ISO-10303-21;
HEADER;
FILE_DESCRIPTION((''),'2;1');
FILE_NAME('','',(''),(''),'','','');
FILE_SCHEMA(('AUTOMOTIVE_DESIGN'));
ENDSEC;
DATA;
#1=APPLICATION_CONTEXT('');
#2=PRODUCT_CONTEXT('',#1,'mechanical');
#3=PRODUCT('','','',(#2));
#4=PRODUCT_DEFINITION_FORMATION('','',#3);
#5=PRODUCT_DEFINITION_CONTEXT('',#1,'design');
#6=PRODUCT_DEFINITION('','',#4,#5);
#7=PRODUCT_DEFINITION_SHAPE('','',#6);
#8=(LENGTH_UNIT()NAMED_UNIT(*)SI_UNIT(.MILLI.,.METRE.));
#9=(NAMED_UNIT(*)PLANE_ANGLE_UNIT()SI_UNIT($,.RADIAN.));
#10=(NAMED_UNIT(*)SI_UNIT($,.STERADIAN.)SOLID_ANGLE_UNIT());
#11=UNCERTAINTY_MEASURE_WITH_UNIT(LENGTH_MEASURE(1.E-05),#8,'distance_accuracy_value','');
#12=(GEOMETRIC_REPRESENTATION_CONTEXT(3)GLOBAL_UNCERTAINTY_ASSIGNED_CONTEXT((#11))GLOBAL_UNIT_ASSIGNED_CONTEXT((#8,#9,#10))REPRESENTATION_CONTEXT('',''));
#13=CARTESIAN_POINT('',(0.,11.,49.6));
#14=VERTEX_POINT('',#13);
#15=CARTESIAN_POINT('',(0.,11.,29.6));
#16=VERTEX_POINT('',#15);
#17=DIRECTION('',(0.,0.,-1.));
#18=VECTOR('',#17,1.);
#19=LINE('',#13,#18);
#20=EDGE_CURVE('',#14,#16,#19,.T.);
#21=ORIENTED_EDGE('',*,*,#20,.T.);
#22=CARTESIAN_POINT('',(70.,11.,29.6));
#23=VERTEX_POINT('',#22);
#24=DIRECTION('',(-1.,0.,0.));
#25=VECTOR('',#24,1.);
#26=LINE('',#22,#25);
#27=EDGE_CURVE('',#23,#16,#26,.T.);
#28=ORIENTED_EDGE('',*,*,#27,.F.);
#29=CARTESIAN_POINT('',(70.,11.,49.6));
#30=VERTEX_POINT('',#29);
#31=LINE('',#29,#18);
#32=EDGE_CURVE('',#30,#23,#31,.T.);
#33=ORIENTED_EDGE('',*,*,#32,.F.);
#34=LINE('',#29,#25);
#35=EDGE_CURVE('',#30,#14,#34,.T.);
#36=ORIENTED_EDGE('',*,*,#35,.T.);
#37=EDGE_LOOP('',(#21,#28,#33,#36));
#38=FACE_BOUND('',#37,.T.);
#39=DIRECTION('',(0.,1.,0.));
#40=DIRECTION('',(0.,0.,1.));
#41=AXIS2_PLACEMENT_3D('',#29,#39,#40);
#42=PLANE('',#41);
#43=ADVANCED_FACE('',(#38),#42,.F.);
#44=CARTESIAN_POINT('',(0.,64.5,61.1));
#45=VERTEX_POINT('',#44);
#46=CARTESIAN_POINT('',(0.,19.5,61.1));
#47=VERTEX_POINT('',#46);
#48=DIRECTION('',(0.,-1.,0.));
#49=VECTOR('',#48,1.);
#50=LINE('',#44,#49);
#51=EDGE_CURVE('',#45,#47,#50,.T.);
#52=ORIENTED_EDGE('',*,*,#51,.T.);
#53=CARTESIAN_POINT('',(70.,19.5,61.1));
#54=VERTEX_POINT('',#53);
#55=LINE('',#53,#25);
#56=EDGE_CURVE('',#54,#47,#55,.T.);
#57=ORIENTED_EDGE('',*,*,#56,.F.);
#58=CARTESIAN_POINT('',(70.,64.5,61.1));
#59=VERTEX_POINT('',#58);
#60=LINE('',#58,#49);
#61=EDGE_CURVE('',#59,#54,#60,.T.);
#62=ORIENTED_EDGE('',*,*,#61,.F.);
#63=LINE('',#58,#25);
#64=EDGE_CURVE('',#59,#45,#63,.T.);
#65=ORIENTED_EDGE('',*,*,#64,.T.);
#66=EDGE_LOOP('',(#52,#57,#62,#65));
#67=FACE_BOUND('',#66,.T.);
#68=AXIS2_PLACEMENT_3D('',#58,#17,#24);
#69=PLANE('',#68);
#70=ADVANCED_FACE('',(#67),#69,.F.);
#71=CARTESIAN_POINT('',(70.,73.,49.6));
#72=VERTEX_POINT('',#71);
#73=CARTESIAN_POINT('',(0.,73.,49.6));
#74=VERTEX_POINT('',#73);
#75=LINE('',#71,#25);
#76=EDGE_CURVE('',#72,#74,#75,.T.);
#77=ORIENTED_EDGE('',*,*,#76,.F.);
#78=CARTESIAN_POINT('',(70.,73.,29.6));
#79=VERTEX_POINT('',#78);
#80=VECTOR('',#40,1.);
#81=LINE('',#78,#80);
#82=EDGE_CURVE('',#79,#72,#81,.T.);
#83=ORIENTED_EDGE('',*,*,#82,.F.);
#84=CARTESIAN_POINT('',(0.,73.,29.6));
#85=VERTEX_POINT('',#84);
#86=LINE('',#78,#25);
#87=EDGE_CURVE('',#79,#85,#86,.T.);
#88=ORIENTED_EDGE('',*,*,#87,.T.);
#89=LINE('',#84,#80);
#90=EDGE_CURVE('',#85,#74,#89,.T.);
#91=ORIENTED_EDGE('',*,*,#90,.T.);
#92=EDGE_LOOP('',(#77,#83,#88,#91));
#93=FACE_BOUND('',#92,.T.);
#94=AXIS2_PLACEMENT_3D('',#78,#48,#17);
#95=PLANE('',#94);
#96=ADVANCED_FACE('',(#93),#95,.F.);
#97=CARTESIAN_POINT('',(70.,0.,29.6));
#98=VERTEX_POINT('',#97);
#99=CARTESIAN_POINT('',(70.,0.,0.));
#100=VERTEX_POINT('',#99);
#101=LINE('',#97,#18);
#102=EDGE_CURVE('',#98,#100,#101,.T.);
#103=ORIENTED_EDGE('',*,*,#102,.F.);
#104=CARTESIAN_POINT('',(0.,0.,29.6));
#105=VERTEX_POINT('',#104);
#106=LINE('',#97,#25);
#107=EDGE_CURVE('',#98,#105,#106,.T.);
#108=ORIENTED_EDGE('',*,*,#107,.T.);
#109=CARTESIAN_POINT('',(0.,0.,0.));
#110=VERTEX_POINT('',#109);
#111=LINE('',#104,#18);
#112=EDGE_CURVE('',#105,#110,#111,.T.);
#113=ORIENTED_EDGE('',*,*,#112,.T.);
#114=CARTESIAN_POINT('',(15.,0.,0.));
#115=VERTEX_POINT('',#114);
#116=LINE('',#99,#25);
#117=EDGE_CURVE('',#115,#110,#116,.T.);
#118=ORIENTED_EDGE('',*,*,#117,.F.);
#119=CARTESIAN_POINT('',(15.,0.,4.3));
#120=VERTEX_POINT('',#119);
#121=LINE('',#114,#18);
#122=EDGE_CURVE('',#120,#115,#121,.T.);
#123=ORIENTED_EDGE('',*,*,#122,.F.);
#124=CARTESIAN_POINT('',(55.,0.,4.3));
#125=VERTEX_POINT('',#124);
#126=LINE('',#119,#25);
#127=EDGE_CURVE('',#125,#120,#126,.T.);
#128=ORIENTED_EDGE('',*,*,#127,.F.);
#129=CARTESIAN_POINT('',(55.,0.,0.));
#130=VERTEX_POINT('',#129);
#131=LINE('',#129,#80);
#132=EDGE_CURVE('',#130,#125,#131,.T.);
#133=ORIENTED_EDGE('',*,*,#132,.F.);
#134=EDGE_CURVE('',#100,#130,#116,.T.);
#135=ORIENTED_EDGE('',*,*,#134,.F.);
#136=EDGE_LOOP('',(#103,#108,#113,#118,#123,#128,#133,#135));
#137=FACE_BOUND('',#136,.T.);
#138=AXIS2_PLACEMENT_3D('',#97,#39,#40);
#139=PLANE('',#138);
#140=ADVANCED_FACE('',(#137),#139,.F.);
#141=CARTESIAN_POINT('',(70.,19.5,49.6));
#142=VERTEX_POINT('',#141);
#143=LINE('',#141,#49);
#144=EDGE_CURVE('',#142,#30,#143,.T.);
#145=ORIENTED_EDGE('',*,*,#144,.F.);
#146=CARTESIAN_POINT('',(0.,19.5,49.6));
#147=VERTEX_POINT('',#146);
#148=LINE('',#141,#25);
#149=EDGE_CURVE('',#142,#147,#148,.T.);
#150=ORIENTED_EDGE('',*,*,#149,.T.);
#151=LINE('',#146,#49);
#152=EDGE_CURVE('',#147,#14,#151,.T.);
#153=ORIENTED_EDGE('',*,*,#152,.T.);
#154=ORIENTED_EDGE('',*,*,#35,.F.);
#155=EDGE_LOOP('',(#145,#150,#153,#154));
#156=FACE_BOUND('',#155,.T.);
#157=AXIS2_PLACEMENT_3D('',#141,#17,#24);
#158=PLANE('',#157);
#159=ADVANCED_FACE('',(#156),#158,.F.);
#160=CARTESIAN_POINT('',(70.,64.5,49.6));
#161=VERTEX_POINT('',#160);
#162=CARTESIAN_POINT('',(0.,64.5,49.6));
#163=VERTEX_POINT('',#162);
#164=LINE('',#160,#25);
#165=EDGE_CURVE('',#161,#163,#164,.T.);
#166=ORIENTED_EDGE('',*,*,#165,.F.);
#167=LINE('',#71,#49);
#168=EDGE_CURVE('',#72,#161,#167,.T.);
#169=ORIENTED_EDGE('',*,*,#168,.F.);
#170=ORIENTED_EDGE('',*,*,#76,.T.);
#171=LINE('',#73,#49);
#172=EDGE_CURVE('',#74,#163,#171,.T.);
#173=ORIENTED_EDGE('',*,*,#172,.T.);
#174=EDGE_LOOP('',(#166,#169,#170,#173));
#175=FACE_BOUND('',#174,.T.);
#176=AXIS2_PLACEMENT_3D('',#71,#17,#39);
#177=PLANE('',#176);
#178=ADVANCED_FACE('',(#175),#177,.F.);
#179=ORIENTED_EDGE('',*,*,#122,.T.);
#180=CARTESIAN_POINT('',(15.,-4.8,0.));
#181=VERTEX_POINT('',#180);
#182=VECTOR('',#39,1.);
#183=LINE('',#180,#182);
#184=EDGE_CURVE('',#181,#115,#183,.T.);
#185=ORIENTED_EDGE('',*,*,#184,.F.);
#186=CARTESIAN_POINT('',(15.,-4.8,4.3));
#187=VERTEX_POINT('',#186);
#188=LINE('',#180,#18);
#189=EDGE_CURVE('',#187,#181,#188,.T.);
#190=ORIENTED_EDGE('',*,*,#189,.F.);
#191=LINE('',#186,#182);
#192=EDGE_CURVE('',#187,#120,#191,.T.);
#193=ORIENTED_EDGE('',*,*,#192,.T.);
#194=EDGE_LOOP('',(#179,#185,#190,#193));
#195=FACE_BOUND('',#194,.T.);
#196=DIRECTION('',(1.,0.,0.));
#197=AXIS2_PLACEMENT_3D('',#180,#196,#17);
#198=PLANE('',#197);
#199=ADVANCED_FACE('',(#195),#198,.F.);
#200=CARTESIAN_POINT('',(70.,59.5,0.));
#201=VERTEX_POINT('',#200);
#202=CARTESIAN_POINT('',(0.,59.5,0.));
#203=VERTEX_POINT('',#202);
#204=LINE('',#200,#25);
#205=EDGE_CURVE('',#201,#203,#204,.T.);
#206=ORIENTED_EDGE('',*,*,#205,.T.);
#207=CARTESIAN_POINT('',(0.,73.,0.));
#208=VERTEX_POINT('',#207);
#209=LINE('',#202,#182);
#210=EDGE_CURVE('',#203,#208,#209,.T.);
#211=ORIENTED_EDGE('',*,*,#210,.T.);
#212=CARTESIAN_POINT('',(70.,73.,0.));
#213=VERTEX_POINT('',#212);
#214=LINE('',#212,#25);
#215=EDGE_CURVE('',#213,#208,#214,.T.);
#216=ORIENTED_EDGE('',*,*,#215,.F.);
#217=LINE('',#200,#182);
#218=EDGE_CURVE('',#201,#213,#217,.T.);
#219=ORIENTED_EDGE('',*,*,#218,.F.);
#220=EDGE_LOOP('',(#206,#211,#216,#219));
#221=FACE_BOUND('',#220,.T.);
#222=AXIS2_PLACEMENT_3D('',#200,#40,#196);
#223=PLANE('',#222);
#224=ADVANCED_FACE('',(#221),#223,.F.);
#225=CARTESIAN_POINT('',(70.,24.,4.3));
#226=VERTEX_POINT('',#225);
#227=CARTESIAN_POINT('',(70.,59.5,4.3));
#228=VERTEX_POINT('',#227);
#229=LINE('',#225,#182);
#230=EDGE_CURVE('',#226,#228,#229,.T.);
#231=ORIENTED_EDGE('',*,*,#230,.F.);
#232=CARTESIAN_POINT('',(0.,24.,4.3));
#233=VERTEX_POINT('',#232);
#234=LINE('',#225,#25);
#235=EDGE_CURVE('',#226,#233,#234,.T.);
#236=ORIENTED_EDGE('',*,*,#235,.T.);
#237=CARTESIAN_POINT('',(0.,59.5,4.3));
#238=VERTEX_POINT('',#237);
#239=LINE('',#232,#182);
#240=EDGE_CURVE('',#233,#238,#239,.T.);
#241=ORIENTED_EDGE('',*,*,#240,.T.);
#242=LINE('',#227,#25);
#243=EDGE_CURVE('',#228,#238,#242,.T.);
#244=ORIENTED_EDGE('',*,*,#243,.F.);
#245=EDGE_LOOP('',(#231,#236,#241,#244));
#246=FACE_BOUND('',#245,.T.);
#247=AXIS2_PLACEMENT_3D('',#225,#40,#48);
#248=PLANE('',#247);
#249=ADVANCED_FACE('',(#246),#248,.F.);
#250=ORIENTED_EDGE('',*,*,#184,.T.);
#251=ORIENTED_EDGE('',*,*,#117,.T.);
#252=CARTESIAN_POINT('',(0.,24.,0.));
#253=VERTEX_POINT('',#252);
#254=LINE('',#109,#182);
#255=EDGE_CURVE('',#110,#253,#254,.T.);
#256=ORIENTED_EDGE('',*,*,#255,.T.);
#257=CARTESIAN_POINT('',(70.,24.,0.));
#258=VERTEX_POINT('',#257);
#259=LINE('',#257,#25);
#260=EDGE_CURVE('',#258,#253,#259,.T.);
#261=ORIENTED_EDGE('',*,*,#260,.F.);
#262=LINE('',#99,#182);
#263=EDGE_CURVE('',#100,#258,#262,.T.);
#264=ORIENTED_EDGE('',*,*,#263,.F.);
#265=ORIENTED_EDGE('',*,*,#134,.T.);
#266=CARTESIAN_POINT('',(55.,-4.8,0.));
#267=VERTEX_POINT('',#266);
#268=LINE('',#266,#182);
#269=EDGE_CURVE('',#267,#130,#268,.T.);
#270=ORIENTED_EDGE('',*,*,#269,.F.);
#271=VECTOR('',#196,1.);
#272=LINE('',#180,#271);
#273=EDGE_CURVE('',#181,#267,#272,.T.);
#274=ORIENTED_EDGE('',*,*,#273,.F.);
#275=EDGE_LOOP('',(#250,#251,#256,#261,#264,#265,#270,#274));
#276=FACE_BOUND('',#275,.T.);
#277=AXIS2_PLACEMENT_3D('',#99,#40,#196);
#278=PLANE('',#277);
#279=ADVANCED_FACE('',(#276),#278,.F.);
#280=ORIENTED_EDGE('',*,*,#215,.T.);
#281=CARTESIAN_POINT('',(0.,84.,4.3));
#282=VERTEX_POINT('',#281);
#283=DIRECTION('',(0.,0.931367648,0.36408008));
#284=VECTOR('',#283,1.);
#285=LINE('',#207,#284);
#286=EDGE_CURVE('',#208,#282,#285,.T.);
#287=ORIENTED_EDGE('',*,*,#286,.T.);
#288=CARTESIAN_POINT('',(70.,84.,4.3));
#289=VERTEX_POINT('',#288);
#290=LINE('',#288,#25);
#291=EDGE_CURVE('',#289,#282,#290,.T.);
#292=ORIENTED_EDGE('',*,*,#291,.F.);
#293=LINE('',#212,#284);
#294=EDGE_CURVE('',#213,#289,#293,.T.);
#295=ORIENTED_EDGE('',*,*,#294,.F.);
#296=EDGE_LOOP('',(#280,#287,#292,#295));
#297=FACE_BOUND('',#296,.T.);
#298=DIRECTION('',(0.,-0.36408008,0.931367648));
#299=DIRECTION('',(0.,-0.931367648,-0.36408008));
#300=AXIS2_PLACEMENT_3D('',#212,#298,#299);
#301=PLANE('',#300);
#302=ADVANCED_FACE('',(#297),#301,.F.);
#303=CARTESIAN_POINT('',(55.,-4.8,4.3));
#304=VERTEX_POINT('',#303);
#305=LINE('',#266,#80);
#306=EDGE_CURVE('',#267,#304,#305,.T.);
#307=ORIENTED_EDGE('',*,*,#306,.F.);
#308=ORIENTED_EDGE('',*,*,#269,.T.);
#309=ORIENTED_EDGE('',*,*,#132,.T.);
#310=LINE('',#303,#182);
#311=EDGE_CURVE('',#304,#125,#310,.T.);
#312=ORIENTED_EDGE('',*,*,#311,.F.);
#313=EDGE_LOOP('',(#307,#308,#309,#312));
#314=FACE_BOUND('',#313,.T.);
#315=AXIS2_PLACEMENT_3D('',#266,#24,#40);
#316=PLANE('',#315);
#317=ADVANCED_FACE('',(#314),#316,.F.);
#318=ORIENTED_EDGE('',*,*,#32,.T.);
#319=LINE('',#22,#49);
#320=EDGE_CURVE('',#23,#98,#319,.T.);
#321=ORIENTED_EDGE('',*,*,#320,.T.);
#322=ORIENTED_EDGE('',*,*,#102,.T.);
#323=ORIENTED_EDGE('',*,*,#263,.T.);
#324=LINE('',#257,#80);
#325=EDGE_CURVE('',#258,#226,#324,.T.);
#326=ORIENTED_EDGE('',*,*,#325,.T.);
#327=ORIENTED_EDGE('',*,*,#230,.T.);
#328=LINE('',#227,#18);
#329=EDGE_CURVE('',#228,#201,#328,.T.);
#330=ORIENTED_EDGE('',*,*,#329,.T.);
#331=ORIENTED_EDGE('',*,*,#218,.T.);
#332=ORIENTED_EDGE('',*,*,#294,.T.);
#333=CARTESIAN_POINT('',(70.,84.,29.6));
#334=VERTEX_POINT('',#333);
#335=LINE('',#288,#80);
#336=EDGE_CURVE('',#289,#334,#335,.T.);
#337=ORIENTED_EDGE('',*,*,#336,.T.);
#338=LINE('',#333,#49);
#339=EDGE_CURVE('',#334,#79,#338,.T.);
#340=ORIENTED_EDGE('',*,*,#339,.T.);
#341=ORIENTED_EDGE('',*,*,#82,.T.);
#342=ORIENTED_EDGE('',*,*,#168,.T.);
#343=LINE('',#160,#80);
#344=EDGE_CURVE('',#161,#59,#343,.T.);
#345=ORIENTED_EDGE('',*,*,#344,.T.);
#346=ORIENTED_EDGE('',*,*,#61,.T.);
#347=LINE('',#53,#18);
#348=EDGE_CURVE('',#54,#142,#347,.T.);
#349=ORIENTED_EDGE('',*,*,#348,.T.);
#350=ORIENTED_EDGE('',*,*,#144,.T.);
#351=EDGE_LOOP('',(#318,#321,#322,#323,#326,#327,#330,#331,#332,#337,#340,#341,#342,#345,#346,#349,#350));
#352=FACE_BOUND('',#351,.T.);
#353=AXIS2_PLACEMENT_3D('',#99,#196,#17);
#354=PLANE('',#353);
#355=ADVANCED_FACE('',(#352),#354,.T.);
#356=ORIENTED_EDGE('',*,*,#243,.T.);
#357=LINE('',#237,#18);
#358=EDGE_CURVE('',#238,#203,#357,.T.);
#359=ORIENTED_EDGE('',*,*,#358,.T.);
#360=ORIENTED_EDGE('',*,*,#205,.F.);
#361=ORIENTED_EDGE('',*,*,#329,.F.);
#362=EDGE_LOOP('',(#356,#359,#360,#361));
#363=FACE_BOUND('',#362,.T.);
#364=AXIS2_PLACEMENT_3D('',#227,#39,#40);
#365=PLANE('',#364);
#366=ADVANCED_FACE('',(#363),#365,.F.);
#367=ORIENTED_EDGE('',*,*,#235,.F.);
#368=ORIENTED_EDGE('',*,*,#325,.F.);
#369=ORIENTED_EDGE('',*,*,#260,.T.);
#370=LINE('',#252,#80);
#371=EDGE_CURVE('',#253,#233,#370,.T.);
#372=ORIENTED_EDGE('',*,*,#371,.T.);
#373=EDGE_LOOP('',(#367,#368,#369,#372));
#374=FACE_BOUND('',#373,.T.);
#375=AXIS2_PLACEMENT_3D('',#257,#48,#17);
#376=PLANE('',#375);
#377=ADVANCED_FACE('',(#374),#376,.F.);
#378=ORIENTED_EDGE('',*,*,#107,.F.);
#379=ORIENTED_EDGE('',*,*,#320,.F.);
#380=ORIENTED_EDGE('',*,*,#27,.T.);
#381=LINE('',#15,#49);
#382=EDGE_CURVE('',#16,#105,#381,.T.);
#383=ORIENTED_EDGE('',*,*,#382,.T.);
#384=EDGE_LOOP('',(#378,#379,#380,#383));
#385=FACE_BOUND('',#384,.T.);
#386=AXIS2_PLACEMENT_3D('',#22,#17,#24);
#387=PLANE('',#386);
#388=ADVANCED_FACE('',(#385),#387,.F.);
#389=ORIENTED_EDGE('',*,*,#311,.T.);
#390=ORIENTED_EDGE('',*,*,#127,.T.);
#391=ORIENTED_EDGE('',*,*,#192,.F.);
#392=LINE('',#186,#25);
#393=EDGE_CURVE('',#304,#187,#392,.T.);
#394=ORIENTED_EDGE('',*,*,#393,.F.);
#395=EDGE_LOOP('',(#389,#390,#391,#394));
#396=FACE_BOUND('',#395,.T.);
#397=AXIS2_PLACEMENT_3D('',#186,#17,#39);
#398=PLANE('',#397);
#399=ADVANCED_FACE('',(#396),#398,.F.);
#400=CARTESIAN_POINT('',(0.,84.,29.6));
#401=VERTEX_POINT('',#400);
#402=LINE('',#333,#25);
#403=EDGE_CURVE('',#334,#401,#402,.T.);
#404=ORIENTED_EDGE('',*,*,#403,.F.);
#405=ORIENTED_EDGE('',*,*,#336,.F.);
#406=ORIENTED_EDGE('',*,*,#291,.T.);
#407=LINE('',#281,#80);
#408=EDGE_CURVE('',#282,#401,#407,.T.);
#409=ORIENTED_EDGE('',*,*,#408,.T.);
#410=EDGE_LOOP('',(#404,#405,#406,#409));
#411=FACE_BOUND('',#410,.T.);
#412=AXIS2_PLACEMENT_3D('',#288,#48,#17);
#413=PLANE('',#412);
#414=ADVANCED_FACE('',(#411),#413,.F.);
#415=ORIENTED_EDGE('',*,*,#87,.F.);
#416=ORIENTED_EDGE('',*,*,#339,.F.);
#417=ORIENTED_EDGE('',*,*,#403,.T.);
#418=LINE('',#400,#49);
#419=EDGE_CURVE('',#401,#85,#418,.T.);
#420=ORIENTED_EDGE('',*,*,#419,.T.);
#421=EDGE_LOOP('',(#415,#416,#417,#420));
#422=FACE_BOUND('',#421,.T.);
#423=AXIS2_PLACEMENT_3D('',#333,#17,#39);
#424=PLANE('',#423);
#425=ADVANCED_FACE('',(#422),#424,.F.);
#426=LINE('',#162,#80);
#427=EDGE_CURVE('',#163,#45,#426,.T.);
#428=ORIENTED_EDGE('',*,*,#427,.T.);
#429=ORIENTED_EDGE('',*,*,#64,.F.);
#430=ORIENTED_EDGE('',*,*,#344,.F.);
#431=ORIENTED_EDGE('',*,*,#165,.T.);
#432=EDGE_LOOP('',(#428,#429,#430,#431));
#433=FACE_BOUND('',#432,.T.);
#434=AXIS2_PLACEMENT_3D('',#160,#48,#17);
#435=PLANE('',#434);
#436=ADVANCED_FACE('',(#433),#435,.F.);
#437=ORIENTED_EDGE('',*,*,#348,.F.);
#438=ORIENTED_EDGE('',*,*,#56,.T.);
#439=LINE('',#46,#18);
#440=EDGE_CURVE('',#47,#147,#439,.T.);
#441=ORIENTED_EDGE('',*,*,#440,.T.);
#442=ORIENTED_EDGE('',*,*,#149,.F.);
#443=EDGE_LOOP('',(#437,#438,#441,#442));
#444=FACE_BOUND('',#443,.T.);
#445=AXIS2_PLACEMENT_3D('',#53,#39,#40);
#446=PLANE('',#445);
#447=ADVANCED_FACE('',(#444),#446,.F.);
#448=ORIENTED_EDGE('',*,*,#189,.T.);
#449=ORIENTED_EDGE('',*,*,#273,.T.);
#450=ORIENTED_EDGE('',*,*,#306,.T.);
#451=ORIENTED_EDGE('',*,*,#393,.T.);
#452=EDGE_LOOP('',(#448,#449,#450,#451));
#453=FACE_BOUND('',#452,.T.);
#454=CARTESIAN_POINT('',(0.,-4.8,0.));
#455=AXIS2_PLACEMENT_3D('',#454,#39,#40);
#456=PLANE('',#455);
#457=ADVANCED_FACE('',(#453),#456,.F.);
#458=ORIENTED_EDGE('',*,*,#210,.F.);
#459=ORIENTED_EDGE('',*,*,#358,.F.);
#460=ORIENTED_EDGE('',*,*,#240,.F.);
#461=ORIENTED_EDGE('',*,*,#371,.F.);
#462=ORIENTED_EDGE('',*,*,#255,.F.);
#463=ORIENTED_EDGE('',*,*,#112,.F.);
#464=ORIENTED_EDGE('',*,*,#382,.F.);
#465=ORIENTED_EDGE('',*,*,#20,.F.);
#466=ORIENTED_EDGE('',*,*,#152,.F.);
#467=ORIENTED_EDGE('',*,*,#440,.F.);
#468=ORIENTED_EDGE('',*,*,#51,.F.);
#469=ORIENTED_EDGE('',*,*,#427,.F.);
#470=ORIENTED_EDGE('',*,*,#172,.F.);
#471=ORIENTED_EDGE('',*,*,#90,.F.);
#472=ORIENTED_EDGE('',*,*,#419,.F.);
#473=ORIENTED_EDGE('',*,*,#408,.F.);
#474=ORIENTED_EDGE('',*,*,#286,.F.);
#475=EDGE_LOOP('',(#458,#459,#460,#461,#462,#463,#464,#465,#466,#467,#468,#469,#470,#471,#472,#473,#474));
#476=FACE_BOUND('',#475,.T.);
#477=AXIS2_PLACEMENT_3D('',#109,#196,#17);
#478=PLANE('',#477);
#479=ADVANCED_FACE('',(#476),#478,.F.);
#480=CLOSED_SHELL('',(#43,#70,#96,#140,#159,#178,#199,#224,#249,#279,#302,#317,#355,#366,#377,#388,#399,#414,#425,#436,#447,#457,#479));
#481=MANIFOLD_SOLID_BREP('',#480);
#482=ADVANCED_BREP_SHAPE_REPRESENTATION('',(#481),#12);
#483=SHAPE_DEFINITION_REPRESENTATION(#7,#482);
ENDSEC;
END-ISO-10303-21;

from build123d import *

# Parameters (mm, degrees)
ESTRUSIONE_ESTRUSIONE1_DEPTH = 70
SCHIZZO2_W                   = 40
SCHIZZO2_H                   = 4.3
ESTRUSIONE_ESTRUSIONE2_DEPTH = 4.8


with BuildPart() as part:
    # Schizzo1 → Estrusione-Estrusione1 (new body)
    with BuildSketch(Plane(origin=(0, 0, 0), x_dir=(0, 0, -1), z_dir=(1, 0, 0))):
        Polygon((-61.1, 64.5), (-61.1, 19.5), (-49.6, 19.5), (-49.6, 11), (-29.6, 11), (-29.6, 0), (0, 0), (0, 24), (-4.3, 24), (-4.3, 59.5), (0, 59.5), (0, 73), (-4.3, 84), (-29.6, 84), (-29.6, 73), (-49.6, 73), (-49.6, 64.5), align=None)
    extrude(amount=ESTRUSIONE_ESTRUSIONE1_DEPTH)

    # Schizzo2 → Estrusione-Estrusione2 (add)
    with BuildSketch(Plane.XZ):
        with Locations((35, 2.15)):
            Rectangle(SCHIZZO2_W, SCHIZZO2_H)
    extrude(amount=ESTRUSIONE_ESTRUSIONE2_DEPTH)


solid = part.part
